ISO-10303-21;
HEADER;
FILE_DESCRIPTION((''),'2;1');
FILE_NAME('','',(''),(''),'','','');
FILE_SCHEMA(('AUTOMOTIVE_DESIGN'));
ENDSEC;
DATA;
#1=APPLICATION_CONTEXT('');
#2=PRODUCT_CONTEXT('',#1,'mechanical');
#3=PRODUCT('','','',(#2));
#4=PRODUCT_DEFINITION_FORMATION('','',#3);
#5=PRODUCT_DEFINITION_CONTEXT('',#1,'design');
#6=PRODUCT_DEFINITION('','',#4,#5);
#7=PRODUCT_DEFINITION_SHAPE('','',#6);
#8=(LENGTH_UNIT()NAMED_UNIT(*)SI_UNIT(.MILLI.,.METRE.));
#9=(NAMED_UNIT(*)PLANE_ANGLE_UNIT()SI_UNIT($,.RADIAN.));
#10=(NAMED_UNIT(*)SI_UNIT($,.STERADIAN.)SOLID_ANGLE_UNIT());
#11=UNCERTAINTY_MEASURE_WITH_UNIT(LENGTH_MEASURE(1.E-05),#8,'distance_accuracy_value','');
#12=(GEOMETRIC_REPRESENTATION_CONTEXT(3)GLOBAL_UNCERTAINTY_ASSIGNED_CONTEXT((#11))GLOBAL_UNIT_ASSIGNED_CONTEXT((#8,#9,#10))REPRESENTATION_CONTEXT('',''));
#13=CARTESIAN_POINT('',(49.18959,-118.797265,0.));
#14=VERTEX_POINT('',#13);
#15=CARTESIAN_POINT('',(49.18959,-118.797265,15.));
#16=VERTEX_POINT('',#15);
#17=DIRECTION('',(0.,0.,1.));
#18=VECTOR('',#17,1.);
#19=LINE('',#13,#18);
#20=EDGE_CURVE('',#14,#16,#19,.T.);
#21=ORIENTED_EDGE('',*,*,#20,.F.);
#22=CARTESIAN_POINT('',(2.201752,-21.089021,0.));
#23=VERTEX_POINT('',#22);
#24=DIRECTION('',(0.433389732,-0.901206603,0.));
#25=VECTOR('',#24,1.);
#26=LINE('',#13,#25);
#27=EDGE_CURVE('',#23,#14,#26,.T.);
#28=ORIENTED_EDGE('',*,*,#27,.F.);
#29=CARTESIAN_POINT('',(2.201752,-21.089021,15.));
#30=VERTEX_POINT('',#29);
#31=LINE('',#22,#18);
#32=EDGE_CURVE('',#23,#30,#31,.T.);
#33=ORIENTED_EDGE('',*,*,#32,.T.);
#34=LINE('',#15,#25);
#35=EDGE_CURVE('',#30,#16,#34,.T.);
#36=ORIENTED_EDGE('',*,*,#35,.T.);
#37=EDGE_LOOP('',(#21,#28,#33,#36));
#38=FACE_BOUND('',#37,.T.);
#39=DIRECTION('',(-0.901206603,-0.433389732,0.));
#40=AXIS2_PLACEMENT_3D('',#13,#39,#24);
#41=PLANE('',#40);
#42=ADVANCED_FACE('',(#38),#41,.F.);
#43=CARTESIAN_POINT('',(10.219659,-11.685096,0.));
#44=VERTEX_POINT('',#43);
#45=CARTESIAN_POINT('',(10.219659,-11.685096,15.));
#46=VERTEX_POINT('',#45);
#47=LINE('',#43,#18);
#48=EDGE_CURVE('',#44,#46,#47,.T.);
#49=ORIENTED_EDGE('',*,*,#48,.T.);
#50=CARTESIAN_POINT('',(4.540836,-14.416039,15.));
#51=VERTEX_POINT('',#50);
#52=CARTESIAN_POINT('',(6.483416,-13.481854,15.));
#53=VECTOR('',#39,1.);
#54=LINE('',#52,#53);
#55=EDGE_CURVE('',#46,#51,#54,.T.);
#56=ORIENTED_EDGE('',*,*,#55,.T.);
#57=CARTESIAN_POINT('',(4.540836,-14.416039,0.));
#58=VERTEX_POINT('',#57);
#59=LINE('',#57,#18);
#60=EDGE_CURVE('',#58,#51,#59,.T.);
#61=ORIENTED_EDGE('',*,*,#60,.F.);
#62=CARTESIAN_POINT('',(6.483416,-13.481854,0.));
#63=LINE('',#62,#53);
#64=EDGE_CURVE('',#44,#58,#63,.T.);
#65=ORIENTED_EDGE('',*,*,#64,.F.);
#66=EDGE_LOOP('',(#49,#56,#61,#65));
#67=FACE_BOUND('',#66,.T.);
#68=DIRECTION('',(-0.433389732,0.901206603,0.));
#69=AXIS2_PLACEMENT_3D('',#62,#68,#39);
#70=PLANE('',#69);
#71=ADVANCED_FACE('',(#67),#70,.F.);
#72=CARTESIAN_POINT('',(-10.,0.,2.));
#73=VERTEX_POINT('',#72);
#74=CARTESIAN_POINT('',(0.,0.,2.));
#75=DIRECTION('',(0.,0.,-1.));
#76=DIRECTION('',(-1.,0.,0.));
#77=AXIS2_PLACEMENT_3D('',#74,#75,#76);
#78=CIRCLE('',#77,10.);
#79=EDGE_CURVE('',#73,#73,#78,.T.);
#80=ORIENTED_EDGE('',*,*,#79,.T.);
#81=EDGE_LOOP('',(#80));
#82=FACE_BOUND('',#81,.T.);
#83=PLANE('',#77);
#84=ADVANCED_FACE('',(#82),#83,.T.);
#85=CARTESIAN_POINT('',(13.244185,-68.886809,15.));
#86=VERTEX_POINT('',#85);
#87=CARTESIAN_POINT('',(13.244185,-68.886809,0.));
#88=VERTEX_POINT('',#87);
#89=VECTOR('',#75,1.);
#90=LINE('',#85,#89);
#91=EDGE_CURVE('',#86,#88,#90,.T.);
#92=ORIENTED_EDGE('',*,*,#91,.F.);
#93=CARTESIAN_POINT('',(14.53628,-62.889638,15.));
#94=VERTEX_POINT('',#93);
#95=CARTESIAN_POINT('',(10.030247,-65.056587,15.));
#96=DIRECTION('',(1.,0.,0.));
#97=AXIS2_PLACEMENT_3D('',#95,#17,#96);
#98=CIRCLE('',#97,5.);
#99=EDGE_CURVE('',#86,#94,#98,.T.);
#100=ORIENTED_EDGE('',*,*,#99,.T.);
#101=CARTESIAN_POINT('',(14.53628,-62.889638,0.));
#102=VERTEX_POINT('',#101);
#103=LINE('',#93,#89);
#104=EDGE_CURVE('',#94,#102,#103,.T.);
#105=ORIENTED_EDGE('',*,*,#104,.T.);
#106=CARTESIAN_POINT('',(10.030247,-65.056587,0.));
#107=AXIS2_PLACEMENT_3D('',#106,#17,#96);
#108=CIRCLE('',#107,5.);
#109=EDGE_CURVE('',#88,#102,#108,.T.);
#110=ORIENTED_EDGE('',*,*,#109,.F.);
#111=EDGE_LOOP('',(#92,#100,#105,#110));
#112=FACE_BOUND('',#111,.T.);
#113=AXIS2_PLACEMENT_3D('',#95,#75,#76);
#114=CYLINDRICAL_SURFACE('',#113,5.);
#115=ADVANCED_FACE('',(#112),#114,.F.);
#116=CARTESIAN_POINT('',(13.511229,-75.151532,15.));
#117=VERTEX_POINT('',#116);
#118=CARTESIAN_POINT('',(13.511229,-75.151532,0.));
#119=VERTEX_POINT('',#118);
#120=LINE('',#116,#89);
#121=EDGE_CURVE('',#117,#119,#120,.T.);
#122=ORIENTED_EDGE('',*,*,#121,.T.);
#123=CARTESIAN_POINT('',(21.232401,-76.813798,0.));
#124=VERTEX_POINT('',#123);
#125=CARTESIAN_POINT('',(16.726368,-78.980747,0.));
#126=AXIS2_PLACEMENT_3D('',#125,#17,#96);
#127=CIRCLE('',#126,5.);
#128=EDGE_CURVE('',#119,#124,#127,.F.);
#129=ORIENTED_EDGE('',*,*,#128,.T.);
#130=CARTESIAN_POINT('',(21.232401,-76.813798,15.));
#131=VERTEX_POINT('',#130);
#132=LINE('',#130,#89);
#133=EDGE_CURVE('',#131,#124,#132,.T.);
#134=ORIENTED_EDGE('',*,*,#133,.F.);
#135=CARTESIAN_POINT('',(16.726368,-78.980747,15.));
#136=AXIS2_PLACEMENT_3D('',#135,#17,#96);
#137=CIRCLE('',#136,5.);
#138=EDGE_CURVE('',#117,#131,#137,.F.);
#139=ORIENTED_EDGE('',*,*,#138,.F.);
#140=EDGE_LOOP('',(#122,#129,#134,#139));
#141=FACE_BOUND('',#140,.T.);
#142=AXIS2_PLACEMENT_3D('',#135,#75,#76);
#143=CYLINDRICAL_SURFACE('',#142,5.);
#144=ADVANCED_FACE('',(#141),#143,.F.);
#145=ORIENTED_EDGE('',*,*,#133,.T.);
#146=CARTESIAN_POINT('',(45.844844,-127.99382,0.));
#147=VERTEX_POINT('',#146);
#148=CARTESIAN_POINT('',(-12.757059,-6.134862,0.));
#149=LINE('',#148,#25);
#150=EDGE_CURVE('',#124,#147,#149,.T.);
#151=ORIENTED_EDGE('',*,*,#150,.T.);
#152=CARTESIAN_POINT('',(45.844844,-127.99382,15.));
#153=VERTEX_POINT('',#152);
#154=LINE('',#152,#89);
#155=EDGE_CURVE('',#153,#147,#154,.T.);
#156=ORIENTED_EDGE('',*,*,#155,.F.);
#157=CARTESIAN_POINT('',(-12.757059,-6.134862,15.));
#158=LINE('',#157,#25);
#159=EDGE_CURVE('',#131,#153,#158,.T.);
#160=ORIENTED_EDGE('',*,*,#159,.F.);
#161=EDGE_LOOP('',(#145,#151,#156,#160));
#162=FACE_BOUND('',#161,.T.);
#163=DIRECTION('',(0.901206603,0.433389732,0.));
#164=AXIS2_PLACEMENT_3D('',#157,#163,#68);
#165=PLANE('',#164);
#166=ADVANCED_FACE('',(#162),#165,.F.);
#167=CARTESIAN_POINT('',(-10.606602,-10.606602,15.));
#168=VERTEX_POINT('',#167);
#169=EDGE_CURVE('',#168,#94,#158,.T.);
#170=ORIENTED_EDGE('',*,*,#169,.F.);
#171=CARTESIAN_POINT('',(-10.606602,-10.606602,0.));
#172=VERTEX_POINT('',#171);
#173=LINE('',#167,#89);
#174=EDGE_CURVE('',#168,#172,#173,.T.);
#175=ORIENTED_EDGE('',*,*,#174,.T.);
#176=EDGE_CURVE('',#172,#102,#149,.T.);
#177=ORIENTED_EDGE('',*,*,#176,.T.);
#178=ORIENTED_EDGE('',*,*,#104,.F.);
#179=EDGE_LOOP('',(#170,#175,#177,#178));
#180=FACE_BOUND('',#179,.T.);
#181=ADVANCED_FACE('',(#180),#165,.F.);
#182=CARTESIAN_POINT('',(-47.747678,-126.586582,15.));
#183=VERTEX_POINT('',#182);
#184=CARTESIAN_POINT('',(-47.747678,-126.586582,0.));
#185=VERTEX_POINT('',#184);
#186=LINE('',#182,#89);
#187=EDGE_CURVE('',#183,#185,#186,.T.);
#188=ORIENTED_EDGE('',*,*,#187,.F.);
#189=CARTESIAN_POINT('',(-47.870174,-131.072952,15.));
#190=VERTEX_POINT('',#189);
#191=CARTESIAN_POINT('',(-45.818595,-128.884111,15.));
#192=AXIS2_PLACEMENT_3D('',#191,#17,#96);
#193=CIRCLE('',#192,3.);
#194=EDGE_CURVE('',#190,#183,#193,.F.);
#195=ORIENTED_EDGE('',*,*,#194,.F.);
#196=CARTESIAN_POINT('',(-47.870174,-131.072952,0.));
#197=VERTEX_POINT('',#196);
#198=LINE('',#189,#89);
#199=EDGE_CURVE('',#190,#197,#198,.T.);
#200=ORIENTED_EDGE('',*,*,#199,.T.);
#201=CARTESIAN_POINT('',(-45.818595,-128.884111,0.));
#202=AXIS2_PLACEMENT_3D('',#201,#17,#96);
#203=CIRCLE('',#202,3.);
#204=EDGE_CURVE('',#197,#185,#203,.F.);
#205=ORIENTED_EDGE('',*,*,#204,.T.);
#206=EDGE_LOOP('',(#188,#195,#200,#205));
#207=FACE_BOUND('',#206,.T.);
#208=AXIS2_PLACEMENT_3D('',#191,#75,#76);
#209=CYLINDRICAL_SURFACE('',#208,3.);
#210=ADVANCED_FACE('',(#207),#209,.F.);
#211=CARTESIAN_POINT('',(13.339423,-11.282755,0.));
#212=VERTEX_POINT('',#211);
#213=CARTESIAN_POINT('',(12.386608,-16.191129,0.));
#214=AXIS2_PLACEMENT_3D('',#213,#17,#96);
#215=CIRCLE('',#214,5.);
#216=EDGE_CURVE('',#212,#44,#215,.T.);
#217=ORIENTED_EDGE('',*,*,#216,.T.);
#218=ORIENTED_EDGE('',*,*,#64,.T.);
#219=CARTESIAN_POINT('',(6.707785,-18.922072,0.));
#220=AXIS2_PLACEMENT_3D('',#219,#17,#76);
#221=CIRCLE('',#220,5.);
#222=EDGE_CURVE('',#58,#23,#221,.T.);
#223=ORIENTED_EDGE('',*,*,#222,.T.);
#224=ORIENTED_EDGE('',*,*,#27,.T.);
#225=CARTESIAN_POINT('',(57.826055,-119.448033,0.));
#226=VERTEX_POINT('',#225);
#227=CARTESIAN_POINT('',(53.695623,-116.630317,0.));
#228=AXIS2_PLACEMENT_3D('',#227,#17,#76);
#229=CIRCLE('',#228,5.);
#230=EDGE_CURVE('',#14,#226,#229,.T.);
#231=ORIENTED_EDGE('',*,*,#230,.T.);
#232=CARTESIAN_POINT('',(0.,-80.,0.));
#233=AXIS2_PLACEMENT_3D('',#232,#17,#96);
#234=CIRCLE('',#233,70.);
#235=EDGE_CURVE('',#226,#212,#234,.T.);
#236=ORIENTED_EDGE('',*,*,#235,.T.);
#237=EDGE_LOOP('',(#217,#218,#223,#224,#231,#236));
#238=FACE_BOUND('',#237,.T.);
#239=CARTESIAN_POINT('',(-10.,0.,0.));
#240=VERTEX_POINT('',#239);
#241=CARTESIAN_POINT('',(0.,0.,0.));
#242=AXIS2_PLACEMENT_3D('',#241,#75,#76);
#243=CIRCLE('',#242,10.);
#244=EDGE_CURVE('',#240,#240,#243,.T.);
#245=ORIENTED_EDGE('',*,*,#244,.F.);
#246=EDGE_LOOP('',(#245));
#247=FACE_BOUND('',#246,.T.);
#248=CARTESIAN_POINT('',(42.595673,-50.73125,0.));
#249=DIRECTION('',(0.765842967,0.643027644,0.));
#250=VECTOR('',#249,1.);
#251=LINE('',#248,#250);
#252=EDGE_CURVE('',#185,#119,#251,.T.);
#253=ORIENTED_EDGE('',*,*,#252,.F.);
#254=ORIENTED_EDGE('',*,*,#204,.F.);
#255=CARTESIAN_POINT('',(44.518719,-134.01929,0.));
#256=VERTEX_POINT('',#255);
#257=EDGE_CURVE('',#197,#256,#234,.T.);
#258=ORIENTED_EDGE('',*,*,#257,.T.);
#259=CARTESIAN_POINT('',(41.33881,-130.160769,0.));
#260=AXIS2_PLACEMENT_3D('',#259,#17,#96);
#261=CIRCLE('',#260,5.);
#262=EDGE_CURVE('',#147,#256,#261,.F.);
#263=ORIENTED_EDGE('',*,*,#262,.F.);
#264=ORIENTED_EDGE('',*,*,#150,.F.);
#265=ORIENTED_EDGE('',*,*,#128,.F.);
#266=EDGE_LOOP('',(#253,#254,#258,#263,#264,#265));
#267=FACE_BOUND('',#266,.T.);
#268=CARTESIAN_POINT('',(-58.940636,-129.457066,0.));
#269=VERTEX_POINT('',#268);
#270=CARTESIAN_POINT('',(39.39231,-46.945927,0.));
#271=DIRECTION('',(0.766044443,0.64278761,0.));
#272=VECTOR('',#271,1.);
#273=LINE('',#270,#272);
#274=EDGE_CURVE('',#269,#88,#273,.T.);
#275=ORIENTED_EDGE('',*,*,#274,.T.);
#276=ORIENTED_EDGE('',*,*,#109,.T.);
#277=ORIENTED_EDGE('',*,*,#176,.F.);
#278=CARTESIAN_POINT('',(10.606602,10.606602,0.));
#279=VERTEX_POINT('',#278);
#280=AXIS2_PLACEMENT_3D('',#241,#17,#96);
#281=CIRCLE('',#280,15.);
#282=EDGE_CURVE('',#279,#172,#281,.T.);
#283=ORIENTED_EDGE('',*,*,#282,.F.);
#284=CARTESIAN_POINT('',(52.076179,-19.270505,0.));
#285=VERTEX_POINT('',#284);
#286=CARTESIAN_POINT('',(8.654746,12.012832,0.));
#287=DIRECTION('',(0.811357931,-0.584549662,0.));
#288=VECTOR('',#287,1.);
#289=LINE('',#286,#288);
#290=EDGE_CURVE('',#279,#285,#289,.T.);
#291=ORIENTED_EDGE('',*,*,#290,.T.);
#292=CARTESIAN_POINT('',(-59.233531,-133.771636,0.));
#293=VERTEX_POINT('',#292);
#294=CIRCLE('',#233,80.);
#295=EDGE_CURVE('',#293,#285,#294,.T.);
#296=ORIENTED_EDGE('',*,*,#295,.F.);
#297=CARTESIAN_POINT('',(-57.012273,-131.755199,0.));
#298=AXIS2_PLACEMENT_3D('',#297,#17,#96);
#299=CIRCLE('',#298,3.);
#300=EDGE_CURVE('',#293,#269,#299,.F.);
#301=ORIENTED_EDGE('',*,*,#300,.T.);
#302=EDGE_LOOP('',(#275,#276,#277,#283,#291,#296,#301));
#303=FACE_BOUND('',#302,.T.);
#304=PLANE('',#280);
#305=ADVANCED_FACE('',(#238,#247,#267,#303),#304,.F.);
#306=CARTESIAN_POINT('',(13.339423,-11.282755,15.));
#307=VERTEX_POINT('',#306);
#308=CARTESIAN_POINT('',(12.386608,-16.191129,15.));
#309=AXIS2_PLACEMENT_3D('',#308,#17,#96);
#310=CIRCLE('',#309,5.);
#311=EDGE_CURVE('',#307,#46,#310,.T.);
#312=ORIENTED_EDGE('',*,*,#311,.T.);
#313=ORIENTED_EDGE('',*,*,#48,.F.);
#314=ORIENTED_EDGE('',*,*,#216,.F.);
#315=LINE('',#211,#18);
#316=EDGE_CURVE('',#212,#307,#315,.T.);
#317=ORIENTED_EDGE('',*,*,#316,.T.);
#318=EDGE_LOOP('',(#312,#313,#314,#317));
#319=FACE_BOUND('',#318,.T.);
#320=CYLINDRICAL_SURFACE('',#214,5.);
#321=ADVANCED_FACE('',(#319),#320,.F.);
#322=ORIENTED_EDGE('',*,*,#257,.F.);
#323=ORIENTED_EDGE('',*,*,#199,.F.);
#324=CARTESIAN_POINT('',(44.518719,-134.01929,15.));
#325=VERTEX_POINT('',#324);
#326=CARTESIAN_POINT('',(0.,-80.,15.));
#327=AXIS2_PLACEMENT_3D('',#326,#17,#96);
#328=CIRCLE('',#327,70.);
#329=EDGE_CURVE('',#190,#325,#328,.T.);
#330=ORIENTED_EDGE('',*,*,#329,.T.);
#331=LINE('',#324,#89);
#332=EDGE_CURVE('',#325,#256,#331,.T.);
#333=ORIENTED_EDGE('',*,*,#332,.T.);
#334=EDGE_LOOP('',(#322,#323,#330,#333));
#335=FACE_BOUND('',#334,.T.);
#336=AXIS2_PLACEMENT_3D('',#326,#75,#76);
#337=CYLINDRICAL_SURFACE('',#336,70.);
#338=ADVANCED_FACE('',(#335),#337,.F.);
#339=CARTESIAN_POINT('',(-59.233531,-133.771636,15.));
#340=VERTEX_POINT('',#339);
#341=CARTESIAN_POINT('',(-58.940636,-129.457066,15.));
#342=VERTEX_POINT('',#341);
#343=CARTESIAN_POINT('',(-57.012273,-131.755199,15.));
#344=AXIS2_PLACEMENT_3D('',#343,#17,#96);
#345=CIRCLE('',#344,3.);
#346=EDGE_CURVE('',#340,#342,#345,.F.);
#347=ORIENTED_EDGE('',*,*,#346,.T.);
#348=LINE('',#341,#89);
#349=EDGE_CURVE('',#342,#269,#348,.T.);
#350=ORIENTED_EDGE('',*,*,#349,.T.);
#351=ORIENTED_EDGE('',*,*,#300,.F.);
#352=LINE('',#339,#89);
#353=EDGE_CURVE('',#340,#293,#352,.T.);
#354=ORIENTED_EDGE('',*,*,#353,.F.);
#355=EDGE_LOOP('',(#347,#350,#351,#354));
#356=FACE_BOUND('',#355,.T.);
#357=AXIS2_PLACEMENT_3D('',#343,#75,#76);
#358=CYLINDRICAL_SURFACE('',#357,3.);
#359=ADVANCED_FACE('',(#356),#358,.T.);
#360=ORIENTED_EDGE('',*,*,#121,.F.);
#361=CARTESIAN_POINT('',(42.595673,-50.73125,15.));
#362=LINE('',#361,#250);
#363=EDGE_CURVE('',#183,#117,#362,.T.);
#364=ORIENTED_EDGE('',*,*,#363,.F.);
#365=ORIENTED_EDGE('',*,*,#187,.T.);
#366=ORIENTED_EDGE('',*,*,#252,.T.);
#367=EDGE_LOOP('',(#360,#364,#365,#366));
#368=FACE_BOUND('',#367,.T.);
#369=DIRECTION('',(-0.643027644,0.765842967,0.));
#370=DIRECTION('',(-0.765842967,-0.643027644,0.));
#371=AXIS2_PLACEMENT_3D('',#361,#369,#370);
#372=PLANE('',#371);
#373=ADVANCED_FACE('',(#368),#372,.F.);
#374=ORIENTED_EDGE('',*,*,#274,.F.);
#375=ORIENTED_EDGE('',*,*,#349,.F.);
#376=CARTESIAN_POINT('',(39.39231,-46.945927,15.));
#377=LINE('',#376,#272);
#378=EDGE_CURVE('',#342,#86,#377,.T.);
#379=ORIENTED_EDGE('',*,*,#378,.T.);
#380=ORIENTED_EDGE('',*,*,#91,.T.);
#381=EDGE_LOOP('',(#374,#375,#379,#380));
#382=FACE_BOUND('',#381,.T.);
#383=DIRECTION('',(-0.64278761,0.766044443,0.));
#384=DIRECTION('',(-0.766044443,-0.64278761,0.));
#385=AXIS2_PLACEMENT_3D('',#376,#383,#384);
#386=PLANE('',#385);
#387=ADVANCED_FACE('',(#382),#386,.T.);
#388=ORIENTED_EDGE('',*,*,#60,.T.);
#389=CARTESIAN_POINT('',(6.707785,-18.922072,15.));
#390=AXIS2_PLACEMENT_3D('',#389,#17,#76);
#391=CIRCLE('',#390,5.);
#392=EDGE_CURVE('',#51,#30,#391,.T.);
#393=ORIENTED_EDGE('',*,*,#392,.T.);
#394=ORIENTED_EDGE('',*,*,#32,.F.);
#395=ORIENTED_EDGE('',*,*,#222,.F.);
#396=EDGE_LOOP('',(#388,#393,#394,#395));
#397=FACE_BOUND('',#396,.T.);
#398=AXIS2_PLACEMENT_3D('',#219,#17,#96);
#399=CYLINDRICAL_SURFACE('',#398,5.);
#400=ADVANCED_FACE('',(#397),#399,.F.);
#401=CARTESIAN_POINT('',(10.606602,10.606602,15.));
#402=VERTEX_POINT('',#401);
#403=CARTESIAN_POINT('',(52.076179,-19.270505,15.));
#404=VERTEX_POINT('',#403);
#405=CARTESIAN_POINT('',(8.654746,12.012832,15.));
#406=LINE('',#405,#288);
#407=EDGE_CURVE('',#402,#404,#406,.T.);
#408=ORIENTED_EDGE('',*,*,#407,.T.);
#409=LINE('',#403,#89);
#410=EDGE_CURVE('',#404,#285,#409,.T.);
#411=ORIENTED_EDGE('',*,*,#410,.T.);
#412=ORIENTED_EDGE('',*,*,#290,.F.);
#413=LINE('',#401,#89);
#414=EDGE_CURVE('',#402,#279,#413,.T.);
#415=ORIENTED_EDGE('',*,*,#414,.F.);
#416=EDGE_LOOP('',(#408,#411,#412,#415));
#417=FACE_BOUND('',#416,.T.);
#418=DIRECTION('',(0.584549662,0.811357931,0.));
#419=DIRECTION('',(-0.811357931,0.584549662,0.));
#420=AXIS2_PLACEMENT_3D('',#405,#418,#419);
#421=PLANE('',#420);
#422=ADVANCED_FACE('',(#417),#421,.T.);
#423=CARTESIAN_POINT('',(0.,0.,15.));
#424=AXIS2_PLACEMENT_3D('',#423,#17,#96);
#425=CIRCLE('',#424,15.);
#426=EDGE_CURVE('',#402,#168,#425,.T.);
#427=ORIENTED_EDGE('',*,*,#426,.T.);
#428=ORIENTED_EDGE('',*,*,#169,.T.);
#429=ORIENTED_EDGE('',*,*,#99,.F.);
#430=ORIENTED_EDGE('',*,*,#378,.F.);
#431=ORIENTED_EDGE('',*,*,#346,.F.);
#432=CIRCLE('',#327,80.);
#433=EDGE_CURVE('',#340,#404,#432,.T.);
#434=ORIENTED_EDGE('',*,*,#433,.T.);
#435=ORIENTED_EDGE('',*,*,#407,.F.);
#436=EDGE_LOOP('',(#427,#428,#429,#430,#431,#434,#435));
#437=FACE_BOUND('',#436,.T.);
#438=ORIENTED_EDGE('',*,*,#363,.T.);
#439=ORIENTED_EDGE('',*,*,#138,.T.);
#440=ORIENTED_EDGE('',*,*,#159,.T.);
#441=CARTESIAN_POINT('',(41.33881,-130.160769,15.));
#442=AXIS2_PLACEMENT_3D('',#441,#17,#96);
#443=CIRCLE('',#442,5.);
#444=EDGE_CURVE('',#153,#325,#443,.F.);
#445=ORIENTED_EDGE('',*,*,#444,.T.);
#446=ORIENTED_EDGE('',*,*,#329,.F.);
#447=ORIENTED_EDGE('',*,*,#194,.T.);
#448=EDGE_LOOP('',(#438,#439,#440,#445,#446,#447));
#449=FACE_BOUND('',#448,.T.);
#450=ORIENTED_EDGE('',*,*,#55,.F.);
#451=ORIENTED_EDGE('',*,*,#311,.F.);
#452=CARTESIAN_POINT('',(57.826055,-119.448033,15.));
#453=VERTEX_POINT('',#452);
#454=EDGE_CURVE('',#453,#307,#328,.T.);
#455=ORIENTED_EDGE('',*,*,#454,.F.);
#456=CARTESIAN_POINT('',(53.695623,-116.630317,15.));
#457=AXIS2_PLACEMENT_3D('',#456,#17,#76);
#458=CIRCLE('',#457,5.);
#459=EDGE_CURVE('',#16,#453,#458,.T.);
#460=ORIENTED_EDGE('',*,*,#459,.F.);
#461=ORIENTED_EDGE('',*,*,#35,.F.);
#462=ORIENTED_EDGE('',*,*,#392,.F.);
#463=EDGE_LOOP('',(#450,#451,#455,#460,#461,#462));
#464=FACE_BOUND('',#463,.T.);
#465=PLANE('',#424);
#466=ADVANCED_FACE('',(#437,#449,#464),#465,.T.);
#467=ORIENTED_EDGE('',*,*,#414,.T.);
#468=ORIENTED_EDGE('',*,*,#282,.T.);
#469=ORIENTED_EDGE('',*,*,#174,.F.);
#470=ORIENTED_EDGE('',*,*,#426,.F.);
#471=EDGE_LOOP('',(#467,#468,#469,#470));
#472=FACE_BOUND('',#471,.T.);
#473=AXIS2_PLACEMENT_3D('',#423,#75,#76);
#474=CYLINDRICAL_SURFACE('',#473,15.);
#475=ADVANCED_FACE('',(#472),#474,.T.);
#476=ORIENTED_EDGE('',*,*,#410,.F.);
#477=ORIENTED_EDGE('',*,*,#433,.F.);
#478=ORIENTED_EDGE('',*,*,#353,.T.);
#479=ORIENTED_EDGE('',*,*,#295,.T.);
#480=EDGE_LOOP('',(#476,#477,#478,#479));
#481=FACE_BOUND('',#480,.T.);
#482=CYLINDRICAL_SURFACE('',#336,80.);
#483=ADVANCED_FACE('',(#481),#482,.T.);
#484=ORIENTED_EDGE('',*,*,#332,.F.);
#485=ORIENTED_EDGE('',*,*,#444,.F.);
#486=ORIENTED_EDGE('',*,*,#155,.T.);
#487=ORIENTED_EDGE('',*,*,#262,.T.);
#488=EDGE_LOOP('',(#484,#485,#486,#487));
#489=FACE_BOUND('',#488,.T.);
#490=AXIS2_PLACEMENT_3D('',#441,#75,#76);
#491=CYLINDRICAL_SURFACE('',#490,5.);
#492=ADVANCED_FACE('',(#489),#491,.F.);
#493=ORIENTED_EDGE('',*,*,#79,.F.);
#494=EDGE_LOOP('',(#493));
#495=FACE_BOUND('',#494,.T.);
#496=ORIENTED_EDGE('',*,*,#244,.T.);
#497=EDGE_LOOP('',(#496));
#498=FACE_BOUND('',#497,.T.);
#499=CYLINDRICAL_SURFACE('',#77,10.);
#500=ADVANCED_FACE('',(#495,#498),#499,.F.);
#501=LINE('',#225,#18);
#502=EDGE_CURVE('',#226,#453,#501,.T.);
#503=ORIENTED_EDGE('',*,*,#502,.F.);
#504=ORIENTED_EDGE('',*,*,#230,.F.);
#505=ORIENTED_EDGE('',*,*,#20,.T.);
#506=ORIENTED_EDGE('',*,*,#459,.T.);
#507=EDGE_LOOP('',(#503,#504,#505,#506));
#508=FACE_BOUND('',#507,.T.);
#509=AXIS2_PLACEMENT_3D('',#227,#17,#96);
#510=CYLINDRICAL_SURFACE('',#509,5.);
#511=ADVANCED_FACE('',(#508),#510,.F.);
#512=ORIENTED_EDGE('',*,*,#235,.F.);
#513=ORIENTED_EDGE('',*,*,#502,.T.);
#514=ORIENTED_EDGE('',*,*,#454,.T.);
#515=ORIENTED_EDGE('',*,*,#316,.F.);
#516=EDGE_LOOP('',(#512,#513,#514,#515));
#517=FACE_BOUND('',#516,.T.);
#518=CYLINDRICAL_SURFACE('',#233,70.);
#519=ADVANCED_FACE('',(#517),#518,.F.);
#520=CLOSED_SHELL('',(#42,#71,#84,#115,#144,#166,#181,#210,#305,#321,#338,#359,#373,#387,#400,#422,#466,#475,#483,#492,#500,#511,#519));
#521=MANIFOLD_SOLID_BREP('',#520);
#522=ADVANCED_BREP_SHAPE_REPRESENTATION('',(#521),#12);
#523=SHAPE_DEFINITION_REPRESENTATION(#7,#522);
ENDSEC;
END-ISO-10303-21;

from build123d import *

# Parameters (mm, degrees)
EXTRUDE_1_DEPTH     = 15
CUT_EXTRUDE_START   = -15
CUT_EXTRUDE_1_DEPTH = 15
SKETCH_8_R          = 10
CUT_EXTRUDE_3_DEPTH = 2


with BuildPart() as part:
    # Sketch 4 → Extrude 1 (new body)
    with BuildSketch(Plane.XY):
        with BuildLine():
            Line((-53.623111018, -124.995132678), (-58.940636287, -129.45706617))
            ThreePointArc((-58.940636287, -129.45706617), (-60.005384698, -131.552012131), (-59.233530865, -133.771635843))
            ThreePointArc((-59.233530865, -133.771635843), (57.362306223, -135.763481103), (52.076178918, -19.270504783))
            Line((52.076178918, -19.270504783), (10.606601718, 10.606601718))
            ThreePointArc((10.606601718, 10.606601718), (-10.606601718, 10.606601718), (-10.606601718, -10.606601718))
            Line((-10.606601718, -10.606601718), (14.536280154, -62.889638219))
            ThreePointArc((14.536280154, -62.889638219), (14.918089499, -66.109676181), (13.244185189, -68.886809092))
            Line((13.244185189, -68.886809092), (-53.623111018, -124.995132678))
        make_face()
        with BuildLine():
            Line((21.232400696, -76.813798404), (45.844843506, -127.993820346))
            ThreePointArc((45.844843506, -127.993820346), (46.221944165, -131.235480845), (44.518718993, -134.019289696))
            ThreePointArc((44.518718993, -134.019289696), (-2.231208213, -149.964431749), (-47.870174388, -131.072951785))
            ThreePointArc((-47.870174388, -131.072951785), (-48.817477846, -128.802229421), (-47.747678417, -126.586582094))
            Line((-47.747678417, -126.586582094), (13.511229465, -75.151532228))
            ThreePointArc((13.511229465, -75.151532228), (17.77869109, -74.092739753), (21.232400696, -76.813798404))
        make_face(mode=Mode.SUBTRACT)
    extrude(amount=EXTRUDE_1_DEPTH)

    # Sketch 6 → Cut-Extrude 1 (cut)
    with BuildSketch(Plane.XY.offset(15).offset(CUT_EXTRUDE_START)):
        with BuildLine():
            Line((49.189589797, -118.797265215), (2.201751786, -21.089020696))
            ThreePointArc((2.201751786, -21.089020696), (1.989274209, -17.268089629), (4.540836142, -14.416039025))
            Line((4.540836142, -14.416039025), (6.483415605, -13.48185369))
            Line((6.483415605, -13.48185369), (10.219658847, -11.685096486))
            ThreePointArc((10.219658847, -11.685096486), (11.747077013, -11.232198087), (13.339423466, -11.282754846))
            ThreePointArc((13.339423466, -11.282754846), (64.738421392, -53.37413296), (57.826055334, -119.448033215))
            ThreePointArc((57.826055334, -119.448033215), (53.319931874, -121.616182211), (49.189589797, -118.797265215))
        make_face()
    extrude(amount=CUT_EXTRUDE_1_DEPTH, mode=Mode.SUBTRACT)

    # Sketch 8 → Cut-Extrude 3 (cut)
    with BuildSketch(Plane(origin=(0, 0, 0), x_dir=(-1, 0, 0), z_dir=(0, 0, -1))):
        Circle(SKETCH_8_R)
    extrude(amount=-CUT_EXTRUDE_3_DEPTH, mode=Mode.SUBTRACT)


solid = part.part
